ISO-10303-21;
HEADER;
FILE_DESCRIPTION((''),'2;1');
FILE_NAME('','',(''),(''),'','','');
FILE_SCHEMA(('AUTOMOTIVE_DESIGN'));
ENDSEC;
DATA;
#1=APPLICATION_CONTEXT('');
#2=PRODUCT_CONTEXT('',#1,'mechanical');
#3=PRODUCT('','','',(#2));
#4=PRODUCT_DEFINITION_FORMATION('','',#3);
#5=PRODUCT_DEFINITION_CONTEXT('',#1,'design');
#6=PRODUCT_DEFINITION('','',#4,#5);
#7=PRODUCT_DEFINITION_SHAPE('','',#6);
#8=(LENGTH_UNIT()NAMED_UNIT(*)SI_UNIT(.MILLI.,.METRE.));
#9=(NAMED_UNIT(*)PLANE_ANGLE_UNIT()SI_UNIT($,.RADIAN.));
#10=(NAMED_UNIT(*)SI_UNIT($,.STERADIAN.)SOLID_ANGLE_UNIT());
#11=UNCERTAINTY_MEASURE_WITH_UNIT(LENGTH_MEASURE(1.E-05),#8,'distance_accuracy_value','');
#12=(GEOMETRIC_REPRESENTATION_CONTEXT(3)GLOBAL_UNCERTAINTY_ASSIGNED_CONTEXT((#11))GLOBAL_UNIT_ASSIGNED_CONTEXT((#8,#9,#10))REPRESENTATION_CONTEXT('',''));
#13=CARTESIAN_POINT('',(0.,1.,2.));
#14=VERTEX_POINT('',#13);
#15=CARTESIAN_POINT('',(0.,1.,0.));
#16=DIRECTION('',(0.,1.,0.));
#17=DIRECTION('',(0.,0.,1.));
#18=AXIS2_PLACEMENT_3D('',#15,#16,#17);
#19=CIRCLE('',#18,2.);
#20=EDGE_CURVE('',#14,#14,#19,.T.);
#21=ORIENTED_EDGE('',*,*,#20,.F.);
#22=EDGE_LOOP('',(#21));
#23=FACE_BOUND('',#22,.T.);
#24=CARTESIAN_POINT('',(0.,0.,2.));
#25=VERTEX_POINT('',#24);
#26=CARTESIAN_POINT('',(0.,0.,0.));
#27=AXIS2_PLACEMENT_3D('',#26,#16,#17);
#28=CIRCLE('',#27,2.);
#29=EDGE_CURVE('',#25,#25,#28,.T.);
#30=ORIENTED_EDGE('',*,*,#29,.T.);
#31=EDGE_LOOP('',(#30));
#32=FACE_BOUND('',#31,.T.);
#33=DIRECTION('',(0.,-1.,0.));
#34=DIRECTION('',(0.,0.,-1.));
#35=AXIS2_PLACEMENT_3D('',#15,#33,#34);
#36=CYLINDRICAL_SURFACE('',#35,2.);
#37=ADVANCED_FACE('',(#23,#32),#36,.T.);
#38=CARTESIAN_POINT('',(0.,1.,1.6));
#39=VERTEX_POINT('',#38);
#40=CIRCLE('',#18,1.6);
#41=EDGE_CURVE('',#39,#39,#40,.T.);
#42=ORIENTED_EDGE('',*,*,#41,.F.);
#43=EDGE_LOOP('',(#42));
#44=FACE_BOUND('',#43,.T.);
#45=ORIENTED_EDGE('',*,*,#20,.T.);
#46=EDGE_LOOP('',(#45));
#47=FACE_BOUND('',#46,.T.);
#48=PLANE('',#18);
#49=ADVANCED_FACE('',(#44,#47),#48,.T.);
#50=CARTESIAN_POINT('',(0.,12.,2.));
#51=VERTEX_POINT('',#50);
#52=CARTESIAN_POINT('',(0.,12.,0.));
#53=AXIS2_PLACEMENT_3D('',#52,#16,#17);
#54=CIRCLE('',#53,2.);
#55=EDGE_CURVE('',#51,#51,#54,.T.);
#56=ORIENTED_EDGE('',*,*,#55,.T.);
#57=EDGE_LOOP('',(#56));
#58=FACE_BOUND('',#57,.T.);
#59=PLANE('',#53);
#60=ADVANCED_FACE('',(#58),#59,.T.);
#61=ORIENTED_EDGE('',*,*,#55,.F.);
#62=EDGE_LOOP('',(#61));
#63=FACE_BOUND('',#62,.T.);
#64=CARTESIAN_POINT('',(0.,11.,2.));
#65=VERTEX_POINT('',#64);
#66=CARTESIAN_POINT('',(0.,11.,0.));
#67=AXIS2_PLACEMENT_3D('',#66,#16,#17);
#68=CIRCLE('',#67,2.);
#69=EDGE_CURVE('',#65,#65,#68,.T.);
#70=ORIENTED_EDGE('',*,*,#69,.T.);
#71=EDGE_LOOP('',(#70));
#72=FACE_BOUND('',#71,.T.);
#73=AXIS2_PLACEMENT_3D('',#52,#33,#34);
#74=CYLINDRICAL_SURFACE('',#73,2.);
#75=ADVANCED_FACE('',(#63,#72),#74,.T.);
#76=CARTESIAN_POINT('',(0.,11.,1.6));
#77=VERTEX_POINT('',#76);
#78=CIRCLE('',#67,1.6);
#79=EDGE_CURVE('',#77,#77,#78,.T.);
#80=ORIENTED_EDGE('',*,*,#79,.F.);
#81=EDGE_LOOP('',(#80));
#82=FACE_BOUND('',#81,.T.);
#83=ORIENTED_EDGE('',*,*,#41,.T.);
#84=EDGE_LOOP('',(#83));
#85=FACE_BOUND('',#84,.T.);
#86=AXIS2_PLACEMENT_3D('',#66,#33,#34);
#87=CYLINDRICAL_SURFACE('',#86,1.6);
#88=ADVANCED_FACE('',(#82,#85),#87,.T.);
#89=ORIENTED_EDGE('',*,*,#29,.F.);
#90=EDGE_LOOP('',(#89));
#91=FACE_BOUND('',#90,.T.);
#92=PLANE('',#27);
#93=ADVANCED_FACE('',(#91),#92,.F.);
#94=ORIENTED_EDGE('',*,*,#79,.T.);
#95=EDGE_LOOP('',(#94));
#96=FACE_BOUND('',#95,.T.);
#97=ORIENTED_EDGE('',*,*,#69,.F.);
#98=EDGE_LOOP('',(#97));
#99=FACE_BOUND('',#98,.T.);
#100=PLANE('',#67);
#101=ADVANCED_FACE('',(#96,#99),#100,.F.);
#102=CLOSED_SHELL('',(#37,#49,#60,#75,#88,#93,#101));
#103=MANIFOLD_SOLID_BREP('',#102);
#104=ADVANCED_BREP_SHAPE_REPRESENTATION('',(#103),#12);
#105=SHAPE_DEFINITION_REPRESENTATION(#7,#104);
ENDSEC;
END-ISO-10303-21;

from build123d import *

# Parameters (mm, degrees)
SKETCH1_R           = 2
BOSS_EXTRUDE1_DEPTH = 1
SKETCH2_R           = 1.6
BOSS_EXTRUDE2_DEPTH = 10
SKETCH3_R           = 2
BOSS_EXTRUDE3_DEPTH = 1


with BuildPart() as part:
    # Sketch1 → Boss-Extrude1 (new body)
    with BuildSketch(Plane(origin=(0, 0, 0), x_dir=(1, 0, 0), z_dir=(0, 1, 0))):
        Circle(SKETCH1_R)
    extrude(amount=BOSS_EXTRUDE1_DEPTH)

    # Sketch2 → Boss-Extrude2 (add)
    with BuildSketch(Plane(origin=(0, 1, 0), x_dir=(1, 0, 0), z_dir=(0, 1, 0))):
        Circle(SKETCH2_R)
    extrude(amount=BOSS_EXTRUDE2_DEPTH)

    # Sketch3 → Boss-Extrude3 (add)
    with BuildSketch(Plane(origin=(0, 11, 0), x_dir=(1, 0, 0), z_dir=(0, 1, 0))):
        Circle(SKETCH3_R)
    extrude(amount=BOSS_EXTRUDE3_DEPTH)


solid = part.part
